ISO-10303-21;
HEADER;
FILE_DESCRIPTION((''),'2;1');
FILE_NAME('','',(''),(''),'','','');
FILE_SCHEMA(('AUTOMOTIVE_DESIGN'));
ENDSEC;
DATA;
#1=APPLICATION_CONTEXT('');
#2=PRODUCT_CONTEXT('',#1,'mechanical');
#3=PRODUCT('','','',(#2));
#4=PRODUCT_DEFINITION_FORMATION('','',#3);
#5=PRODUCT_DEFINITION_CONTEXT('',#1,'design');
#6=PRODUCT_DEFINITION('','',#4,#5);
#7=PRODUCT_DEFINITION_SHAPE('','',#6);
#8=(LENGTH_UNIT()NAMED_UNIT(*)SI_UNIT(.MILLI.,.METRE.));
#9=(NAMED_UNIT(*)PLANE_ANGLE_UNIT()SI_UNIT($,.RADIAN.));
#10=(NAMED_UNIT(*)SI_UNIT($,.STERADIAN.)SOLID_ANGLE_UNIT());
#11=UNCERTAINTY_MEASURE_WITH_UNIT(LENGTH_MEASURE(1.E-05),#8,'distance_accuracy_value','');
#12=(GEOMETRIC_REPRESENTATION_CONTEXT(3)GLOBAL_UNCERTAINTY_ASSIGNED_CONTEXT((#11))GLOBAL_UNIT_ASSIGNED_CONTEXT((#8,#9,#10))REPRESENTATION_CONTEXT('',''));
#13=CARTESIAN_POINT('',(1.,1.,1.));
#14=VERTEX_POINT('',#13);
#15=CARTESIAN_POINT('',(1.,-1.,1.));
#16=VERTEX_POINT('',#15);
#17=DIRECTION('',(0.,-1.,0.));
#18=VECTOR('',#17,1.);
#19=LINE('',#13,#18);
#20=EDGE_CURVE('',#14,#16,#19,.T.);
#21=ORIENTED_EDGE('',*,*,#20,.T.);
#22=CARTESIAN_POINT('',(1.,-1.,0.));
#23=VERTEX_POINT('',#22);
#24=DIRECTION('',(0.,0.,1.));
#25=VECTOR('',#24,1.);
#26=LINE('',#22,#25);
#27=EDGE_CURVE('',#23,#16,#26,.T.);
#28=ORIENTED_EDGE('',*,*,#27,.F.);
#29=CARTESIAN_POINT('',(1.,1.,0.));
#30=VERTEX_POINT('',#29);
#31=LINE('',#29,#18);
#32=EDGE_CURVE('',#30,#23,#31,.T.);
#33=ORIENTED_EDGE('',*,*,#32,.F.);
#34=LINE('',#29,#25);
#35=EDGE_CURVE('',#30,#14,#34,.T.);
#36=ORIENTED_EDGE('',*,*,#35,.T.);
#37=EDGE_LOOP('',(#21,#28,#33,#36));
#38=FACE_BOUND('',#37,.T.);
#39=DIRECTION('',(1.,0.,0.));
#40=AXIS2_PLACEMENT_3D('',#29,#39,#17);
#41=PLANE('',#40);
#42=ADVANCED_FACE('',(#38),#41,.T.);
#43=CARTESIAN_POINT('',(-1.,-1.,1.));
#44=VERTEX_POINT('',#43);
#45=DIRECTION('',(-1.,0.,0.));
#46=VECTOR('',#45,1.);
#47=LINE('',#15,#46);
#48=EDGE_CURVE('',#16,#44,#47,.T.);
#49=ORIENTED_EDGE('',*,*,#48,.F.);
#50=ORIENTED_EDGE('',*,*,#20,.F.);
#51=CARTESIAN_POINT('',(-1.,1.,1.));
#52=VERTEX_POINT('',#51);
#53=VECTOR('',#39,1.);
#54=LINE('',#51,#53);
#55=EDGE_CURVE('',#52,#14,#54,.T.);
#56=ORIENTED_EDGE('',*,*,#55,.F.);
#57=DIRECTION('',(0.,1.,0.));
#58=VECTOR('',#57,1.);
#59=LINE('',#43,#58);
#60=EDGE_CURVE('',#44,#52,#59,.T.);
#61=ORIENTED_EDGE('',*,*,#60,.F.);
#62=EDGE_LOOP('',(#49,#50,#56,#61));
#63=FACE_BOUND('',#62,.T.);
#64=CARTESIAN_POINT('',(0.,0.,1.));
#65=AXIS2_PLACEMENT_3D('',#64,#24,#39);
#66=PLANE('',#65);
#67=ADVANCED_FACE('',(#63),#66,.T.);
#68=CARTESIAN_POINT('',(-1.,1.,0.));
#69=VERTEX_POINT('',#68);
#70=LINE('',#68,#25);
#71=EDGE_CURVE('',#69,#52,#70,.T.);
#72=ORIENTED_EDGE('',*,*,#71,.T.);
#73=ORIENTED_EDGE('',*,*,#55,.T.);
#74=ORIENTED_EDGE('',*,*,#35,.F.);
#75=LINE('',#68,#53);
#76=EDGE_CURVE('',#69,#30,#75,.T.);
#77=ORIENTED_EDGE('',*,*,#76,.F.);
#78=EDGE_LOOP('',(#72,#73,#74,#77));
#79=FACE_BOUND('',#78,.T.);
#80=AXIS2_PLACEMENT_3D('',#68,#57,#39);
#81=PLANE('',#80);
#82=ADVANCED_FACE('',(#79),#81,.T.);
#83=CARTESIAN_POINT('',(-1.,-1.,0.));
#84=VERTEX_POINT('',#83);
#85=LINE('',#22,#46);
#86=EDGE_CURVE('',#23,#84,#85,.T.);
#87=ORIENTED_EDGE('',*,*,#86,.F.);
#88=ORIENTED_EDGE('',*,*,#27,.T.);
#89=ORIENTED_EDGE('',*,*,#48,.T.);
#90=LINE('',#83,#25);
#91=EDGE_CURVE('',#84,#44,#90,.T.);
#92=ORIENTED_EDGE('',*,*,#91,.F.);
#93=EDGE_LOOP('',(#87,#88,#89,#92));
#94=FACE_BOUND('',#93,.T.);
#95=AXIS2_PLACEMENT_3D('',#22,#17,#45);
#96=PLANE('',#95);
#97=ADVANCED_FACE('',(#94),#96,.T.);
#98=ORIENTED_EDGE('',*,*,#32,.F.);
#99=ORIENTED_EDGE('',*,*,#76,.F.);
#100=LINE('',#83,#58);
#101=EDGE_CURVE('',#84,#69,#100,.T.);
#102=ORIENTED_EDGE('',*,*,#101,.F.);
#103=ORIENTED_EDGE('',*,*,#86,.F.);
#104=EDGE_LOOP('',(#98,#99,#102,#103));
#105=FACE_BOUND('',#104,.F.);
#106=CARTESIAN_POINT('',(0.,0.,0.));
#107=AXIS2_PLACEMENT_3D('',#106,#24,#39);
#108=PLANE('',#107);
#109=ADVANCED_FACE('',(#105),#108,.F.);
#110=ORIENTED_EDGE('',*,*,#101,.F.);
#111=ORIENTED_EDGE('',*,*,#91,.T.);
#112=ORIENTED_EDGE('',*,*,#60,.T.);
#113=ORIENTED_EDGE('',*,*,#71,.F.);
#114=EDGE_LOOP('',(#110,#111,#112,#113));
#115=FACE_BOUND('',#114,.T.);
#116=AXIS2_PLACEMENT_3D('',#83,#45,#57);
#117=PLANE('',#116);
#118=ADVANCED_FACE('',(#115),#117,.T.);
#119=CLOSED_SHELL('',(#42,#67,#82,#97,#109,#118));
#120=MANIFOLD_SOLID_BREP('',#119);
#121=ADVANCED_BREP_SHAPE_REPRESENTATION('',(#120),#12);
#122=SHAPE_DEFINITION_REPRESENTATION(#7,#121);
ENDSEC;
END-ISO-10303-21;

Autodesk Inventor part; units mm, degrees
ref_plane "YZ Plane" through (0, 0, 0) normal (1, 0, 0) x (0, 1, 0)
ref_plane "XZ Plane" through (0, 0, 0) normal (0, 1, 0) x (-1, 0, 0)
ref_plane "XY Plane" through (0, 0, 0) normal (0, 0, 1) x (1, 0, 0)
sketch "SMD_PHOTORESISTOR_5MM, SMD_PHOTORESISTOR_5MM_70" plane through (0, 0, 0) normal (0, 0, 1) x (1, 0, 0)
  line L0 (1, -1) -> (-1, -1)
  line L1 (-1, -1) -> (-1, 1)
  line L2 (-1, 1) -> (1, 1)
  line L3 (1, 1) -> (1, -1)
extrude "Extrusion1" add sketch "SMD_PHOTORESISTOR_5MM, SMD_PHOTORESISTOR_5MM_70" along normal blind 1
properties part number "SMD_PHOTORESISTOR_5MM"
